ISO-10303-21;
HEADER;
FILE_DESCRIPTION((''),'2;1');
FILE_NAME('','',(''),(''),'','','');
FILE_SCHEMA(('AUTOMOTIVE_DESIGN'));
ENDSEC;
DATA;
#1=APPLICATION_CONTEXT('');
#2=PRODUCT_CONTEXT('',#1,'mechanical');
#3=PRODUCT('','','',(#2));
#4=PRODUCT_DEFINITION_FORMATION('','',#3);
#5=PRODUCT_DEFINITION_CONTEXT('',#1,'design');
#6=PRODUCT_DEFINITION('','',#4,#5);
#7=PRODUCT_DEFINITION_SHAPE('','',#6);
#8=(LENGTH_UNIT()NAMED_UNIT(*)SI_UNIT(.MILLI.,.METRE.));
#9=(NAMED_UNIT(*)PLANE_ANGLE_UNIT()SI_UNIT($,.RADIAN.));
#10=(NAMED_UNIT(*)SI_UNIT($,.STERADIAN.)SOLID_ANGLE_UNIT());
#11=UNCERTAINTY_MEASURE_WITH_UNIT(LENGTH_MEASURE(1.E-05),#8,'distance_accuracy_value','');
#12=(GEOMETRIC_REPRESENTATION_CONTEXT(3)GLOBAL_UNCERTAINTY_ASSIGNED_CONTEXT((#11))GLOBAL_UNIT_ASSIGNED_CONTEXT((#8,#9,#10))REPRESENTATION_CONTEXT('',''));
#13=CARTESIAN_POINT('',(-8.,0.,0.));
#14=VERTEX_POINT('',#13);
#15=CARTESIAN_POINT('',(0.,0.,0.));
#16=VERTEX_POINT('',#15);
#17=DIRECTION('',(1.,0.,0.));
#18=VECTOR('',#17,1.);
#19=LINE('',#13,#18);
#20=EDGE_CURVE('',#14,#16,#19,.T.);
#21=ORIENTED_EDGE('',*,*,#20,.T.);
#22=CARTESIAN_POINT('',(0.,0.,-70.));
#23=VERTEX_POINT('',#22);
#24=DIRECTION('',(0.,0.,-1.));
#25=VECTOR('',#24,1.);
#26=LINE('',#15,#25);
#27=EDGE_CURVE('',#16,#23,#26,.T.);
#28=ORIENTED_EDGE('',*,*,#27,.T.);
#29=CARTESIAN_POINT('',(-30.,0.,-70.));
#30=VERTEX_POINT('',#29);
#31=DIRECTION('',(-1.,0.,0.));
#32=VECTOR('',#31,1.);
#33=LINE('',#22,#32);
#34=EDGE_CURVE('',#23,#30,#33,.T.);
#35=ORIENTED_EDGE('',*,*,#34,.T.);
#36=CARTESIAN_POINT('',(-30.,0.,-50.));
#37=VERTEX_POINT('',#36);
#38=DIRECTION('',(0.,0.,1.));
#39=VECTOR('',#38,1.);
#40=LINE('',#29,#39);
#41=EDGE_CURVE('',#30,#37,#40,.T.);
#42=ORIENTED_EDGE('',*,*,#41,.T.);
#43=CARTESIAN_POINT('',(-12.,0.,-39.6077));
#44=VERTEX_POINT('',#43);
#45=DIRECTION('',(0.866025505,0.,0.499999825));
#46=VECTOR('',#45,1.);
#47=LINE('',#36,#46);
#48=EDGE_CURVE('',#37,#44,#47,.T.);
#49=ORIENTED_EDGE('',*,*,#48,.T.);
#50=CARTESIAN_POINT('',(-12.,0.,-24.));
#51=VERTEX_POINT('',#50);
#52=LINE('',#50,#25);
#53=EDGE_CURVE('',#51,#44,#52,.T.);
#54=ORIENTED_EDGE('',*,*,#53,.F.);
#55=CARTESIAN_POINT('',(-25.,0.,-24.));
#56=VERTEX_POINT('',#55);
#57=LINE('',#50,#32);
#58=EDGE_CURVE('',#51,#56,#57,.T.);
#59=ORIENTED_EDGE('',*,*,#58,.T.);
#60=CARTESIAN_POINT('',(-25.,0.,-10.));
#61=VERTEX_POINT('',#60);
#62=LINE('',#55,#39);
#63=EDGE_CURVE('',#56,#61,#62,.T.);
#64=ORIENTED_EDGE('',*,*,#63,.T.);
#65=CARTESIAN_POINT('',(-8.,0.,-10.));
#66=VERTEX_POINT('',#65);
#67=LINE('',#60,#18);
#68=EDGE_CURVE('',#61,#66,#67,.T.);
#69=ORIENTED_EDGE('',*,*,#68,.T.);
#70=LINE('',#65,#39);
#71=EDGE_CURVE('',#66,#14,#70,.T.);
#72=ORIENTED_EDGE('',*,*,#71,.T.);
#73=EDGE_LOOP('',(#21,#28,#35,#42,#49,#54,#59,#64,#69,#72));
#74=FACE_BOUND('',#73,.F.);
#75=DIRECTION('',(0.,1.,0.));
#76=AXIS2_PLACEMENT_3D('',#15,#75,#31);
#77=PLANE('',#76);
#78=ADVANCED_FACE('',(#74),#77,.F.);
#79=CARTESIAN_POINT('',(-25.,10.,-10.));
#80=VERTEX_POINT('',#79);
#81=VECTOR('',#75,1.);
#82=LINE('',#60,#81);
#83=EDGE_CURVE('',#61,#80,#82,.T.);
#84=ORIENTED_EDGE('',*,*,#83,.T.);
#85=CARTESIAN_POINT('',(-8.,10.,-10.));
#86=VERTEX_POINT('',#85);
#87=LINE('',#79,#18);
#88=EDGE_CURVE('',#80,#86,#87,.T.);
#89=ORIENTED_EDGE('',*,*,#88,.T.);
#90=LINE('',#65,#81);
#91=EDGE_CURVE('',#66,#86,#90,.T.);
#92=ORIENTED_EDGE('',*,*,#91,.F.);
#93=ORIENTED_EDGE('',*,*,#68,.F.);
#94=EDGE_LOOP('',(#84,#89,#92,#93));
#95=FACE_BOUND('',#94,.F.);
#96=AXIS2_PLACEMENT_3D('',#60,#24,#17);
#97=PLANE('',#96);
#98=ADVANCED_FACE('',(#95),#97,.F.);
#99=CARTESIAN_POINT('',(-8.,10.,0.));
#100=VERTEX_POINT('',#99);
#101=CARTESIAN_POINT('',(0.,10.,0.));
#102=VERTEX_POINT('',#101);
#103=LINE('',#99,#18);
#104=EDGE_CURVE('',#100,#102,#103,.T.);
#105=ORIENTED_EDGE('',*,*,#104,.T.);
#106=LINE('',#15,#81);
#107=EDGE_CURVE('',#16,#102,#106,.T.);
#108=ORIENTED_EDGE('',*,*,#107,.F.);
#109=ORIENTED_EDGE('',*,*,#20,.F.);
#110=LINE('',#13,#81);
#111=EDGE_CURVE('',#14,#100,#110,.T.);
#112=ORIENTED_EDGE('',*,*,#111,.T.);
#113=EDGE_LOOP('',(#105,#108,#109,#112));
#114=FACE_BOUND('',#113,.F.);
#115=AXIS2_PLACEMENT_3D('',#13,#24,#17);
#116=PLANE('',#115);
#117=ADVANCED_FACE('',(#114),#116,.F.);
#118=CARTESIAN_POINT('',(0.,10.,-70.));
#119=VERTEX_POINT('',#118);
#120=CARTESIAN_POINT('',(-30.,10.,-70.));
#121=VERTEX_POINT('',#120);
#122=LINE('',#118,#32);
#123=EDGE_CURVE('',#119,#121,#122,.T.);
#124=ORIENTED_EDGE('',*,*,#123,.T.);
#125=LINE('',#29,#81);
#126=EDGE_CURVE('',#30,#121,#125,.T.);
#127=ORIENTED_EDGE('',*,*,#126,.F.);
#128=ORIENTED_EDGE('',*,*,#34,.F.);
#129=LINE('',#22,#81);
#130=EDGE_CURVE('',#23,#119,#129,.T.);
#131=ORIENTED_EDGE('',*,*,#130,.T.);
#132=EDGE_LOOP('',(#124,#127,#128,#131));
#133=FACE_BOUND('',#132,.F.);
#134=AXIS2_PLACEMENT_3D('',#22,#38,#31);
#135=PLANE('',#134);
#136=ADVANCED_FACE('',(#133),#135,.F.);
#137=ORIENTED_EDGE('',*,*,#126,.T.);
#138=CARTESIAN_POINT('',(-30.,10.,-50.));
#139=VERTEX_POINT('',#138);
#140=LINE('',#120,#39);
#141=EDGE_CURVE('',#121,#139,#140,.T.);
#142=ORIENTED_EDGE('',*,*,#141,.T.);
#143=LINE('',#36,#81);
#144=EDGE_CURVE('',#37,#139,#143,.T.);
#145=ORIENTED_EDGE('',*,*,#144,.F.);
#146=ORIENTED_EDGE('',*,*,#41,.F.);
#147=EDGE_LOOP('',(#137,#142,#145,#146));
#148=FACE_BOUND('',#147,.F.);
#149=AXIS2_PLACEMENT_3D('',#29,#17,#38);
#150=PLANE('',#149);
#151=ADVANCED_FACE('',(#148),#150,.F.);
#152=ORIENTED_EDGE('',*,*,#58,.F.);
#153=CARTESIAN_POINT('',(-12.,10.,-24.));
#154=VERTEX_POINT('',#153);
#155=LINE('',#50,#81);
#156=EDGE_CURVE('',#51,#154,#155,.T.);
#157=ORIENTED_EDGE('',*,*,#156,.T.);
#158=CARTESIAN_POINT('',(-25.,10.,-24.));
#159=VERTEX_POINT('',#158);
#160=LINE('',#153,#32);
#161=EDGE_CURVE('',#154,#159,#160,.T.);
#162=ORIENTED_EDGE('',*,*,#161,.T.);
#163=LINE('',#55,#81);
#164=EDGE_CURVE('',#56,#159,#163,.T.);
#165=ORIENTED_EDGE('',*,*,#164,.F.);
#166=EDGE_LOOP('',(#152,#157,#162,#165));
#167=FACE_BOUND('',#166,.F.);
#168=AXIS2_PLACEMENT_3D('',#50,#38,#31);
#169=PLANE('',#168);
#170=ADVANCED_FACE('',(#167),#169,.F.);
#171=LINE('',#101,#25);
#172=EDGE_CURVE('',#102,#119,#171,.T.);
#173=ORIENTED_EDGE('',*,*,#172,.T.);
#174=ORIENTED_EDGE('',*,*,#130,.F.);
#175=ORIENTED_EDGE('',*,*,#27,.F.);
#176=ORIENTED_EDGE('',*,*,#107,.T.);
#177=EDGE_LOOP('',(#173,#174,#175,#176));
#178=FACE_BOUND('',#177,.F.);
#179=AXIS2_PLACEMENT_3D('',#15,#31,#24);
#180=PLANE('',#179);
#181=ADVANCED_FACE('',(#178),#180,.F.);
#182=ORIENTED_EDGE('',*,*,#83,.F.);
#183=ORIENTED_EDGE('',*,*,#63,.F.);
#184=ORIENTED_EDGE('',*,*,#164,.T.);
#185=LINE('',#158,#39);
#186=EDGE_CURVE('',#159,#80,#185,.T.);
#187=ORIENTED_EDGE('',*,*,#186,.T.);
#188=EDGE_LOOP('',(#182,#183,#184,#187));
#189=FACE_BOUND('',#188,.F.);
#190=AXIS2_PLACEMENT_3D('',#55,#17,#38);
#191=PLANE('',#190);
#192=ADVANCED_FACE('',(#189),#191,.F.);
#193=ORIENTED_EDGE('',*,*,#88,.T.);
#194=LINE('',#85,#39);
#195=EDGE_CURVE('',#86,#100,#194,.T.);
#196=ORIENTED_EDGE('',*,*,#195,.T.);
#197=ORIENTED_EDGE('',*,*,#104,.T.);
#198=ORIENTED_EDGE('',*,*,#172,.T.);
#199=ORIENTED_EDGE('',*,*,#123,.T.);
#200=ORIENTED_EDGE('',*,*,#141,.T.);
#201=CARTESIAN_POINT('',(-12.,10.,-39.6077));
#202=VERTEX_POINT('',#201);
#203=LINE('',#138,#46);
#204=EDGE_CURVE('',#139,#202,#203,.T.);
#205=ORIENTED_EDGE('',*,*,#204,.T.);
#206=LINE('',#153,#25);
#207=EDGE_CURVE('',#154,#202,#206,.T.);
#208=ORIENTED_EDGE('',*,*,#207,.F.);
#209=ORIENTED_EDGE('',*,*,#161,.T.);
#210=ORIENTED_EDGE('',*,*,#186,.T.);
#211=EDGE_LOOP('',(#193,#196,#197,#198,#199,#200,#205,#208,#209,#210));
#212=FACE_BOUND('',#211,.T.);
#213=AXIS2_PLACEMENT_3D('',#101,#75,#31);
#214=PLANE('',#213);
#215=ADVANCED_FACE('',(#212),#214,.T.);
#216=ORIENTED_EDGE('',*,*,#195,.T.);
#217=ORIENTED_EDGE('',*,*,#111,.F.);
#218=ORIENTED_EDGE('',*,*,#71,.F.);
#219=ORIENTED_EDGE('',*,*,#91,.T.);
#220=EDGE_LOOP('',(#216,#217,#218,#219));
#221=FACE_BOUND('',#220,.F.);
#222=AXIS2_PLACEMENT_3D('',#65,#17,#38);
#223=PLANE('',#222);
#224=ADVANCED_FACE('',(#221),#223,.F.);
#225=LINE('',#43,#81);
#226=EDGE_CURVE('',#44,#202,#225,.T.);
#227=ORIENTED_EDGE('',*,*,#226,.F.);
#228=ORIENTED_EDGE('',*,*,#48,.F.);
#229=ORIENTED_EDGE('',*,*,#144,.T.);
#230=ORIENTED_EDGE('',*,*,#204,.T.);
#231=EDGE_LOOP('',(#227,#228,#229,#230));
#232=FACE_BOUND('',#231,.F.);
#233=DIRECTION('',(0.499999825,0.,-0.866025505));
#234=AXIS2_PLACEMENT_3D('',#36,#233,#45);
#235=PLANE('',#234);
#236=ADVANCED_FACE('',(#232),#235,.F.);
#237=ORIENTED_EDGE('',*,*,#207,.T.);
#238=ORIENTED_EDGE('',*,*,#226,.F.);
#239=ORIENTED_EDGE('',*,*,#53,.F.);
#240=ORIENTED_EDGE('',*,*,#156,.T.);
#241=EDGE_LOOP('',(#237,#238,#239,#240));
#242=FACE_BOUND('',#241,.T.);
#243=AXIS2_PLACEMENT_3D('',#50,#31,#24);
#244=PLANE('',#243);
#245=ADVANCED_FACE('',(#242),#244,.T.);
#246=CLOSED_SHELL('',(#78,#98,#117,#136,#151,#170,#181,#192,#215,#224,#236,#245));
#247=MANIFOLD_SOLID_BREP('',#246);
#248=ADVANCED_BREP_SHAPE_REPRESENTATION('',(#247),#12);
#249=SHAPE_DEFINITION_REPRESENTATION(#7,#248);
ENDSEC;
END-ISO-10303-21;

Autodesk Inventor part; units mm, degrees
ref_plane "YZ Plane" through (0, 0, 0) normal (1, 0, 0) x (0, 1, 0)
ref_plane "XZ Plane" through (0, 0, 0) normal (0, 1, 0) x (-1, 0, 0)
ref_plane "XY Plane" through (0, 0, 0) normal (0, 0, 1) x (1, 0, 0)
sketch "Boceto1" plane through (0, 0, 0) normal (0, 1, 0) x (-1, 0, 0)
  line L0 (0, 0) -> (0, -70)
  line L1 (0, -70) -> (30, -70)
  line L2 (30, -70) -> (30, -50)
  line L3 (30, -50) -> (12, -39.6077)
  line L4 (12, -24) -> (25, -24)
  line L5 (25, -24) -> (25, -10)
  line L6 (25, -10) -> (8, -10)
  line L7 (8, 0) -> (0, 0)
  line L8 (12, -24) -> (12, -39.6077)
  line L9 (8, -10) -> (8, 0)
  dimension "d0" = 20
  dimension "d1" = 70
  dimension "d2" = 30
  dimension "d5" = 25
  dimension "d6" = 10
  dimension "d7" = 8
  dimension "d8" = 12
  dimension "d9" = 120
  dimension "d10" = 14
extrude "Extrusión1" add sketch "Boceto1" along normal blind 10
equation "\"Radio_pliegue\" = Grosor"
equation "\"Anchura_desahogo_plegado\" = Grosor"
equation "\"Profundidad_desahogo_plegado\" = 0.5 * Grosor"
equation "\"Tamaño_destalonado\" = 4 * Grosor"
equation "\"Remanente_mínimo\" = 2 * Grosor"
equation "\"Radiodetransición\" = Radio_pliegue"
equation "\"Tamaño_de_radio_de_Jacobi\" = Radio_pliegue"
equation "\"TamañoSeparación\" = Grosor"
equation "\"Grosor\" = 0.5"
properties part number "Practica3"
